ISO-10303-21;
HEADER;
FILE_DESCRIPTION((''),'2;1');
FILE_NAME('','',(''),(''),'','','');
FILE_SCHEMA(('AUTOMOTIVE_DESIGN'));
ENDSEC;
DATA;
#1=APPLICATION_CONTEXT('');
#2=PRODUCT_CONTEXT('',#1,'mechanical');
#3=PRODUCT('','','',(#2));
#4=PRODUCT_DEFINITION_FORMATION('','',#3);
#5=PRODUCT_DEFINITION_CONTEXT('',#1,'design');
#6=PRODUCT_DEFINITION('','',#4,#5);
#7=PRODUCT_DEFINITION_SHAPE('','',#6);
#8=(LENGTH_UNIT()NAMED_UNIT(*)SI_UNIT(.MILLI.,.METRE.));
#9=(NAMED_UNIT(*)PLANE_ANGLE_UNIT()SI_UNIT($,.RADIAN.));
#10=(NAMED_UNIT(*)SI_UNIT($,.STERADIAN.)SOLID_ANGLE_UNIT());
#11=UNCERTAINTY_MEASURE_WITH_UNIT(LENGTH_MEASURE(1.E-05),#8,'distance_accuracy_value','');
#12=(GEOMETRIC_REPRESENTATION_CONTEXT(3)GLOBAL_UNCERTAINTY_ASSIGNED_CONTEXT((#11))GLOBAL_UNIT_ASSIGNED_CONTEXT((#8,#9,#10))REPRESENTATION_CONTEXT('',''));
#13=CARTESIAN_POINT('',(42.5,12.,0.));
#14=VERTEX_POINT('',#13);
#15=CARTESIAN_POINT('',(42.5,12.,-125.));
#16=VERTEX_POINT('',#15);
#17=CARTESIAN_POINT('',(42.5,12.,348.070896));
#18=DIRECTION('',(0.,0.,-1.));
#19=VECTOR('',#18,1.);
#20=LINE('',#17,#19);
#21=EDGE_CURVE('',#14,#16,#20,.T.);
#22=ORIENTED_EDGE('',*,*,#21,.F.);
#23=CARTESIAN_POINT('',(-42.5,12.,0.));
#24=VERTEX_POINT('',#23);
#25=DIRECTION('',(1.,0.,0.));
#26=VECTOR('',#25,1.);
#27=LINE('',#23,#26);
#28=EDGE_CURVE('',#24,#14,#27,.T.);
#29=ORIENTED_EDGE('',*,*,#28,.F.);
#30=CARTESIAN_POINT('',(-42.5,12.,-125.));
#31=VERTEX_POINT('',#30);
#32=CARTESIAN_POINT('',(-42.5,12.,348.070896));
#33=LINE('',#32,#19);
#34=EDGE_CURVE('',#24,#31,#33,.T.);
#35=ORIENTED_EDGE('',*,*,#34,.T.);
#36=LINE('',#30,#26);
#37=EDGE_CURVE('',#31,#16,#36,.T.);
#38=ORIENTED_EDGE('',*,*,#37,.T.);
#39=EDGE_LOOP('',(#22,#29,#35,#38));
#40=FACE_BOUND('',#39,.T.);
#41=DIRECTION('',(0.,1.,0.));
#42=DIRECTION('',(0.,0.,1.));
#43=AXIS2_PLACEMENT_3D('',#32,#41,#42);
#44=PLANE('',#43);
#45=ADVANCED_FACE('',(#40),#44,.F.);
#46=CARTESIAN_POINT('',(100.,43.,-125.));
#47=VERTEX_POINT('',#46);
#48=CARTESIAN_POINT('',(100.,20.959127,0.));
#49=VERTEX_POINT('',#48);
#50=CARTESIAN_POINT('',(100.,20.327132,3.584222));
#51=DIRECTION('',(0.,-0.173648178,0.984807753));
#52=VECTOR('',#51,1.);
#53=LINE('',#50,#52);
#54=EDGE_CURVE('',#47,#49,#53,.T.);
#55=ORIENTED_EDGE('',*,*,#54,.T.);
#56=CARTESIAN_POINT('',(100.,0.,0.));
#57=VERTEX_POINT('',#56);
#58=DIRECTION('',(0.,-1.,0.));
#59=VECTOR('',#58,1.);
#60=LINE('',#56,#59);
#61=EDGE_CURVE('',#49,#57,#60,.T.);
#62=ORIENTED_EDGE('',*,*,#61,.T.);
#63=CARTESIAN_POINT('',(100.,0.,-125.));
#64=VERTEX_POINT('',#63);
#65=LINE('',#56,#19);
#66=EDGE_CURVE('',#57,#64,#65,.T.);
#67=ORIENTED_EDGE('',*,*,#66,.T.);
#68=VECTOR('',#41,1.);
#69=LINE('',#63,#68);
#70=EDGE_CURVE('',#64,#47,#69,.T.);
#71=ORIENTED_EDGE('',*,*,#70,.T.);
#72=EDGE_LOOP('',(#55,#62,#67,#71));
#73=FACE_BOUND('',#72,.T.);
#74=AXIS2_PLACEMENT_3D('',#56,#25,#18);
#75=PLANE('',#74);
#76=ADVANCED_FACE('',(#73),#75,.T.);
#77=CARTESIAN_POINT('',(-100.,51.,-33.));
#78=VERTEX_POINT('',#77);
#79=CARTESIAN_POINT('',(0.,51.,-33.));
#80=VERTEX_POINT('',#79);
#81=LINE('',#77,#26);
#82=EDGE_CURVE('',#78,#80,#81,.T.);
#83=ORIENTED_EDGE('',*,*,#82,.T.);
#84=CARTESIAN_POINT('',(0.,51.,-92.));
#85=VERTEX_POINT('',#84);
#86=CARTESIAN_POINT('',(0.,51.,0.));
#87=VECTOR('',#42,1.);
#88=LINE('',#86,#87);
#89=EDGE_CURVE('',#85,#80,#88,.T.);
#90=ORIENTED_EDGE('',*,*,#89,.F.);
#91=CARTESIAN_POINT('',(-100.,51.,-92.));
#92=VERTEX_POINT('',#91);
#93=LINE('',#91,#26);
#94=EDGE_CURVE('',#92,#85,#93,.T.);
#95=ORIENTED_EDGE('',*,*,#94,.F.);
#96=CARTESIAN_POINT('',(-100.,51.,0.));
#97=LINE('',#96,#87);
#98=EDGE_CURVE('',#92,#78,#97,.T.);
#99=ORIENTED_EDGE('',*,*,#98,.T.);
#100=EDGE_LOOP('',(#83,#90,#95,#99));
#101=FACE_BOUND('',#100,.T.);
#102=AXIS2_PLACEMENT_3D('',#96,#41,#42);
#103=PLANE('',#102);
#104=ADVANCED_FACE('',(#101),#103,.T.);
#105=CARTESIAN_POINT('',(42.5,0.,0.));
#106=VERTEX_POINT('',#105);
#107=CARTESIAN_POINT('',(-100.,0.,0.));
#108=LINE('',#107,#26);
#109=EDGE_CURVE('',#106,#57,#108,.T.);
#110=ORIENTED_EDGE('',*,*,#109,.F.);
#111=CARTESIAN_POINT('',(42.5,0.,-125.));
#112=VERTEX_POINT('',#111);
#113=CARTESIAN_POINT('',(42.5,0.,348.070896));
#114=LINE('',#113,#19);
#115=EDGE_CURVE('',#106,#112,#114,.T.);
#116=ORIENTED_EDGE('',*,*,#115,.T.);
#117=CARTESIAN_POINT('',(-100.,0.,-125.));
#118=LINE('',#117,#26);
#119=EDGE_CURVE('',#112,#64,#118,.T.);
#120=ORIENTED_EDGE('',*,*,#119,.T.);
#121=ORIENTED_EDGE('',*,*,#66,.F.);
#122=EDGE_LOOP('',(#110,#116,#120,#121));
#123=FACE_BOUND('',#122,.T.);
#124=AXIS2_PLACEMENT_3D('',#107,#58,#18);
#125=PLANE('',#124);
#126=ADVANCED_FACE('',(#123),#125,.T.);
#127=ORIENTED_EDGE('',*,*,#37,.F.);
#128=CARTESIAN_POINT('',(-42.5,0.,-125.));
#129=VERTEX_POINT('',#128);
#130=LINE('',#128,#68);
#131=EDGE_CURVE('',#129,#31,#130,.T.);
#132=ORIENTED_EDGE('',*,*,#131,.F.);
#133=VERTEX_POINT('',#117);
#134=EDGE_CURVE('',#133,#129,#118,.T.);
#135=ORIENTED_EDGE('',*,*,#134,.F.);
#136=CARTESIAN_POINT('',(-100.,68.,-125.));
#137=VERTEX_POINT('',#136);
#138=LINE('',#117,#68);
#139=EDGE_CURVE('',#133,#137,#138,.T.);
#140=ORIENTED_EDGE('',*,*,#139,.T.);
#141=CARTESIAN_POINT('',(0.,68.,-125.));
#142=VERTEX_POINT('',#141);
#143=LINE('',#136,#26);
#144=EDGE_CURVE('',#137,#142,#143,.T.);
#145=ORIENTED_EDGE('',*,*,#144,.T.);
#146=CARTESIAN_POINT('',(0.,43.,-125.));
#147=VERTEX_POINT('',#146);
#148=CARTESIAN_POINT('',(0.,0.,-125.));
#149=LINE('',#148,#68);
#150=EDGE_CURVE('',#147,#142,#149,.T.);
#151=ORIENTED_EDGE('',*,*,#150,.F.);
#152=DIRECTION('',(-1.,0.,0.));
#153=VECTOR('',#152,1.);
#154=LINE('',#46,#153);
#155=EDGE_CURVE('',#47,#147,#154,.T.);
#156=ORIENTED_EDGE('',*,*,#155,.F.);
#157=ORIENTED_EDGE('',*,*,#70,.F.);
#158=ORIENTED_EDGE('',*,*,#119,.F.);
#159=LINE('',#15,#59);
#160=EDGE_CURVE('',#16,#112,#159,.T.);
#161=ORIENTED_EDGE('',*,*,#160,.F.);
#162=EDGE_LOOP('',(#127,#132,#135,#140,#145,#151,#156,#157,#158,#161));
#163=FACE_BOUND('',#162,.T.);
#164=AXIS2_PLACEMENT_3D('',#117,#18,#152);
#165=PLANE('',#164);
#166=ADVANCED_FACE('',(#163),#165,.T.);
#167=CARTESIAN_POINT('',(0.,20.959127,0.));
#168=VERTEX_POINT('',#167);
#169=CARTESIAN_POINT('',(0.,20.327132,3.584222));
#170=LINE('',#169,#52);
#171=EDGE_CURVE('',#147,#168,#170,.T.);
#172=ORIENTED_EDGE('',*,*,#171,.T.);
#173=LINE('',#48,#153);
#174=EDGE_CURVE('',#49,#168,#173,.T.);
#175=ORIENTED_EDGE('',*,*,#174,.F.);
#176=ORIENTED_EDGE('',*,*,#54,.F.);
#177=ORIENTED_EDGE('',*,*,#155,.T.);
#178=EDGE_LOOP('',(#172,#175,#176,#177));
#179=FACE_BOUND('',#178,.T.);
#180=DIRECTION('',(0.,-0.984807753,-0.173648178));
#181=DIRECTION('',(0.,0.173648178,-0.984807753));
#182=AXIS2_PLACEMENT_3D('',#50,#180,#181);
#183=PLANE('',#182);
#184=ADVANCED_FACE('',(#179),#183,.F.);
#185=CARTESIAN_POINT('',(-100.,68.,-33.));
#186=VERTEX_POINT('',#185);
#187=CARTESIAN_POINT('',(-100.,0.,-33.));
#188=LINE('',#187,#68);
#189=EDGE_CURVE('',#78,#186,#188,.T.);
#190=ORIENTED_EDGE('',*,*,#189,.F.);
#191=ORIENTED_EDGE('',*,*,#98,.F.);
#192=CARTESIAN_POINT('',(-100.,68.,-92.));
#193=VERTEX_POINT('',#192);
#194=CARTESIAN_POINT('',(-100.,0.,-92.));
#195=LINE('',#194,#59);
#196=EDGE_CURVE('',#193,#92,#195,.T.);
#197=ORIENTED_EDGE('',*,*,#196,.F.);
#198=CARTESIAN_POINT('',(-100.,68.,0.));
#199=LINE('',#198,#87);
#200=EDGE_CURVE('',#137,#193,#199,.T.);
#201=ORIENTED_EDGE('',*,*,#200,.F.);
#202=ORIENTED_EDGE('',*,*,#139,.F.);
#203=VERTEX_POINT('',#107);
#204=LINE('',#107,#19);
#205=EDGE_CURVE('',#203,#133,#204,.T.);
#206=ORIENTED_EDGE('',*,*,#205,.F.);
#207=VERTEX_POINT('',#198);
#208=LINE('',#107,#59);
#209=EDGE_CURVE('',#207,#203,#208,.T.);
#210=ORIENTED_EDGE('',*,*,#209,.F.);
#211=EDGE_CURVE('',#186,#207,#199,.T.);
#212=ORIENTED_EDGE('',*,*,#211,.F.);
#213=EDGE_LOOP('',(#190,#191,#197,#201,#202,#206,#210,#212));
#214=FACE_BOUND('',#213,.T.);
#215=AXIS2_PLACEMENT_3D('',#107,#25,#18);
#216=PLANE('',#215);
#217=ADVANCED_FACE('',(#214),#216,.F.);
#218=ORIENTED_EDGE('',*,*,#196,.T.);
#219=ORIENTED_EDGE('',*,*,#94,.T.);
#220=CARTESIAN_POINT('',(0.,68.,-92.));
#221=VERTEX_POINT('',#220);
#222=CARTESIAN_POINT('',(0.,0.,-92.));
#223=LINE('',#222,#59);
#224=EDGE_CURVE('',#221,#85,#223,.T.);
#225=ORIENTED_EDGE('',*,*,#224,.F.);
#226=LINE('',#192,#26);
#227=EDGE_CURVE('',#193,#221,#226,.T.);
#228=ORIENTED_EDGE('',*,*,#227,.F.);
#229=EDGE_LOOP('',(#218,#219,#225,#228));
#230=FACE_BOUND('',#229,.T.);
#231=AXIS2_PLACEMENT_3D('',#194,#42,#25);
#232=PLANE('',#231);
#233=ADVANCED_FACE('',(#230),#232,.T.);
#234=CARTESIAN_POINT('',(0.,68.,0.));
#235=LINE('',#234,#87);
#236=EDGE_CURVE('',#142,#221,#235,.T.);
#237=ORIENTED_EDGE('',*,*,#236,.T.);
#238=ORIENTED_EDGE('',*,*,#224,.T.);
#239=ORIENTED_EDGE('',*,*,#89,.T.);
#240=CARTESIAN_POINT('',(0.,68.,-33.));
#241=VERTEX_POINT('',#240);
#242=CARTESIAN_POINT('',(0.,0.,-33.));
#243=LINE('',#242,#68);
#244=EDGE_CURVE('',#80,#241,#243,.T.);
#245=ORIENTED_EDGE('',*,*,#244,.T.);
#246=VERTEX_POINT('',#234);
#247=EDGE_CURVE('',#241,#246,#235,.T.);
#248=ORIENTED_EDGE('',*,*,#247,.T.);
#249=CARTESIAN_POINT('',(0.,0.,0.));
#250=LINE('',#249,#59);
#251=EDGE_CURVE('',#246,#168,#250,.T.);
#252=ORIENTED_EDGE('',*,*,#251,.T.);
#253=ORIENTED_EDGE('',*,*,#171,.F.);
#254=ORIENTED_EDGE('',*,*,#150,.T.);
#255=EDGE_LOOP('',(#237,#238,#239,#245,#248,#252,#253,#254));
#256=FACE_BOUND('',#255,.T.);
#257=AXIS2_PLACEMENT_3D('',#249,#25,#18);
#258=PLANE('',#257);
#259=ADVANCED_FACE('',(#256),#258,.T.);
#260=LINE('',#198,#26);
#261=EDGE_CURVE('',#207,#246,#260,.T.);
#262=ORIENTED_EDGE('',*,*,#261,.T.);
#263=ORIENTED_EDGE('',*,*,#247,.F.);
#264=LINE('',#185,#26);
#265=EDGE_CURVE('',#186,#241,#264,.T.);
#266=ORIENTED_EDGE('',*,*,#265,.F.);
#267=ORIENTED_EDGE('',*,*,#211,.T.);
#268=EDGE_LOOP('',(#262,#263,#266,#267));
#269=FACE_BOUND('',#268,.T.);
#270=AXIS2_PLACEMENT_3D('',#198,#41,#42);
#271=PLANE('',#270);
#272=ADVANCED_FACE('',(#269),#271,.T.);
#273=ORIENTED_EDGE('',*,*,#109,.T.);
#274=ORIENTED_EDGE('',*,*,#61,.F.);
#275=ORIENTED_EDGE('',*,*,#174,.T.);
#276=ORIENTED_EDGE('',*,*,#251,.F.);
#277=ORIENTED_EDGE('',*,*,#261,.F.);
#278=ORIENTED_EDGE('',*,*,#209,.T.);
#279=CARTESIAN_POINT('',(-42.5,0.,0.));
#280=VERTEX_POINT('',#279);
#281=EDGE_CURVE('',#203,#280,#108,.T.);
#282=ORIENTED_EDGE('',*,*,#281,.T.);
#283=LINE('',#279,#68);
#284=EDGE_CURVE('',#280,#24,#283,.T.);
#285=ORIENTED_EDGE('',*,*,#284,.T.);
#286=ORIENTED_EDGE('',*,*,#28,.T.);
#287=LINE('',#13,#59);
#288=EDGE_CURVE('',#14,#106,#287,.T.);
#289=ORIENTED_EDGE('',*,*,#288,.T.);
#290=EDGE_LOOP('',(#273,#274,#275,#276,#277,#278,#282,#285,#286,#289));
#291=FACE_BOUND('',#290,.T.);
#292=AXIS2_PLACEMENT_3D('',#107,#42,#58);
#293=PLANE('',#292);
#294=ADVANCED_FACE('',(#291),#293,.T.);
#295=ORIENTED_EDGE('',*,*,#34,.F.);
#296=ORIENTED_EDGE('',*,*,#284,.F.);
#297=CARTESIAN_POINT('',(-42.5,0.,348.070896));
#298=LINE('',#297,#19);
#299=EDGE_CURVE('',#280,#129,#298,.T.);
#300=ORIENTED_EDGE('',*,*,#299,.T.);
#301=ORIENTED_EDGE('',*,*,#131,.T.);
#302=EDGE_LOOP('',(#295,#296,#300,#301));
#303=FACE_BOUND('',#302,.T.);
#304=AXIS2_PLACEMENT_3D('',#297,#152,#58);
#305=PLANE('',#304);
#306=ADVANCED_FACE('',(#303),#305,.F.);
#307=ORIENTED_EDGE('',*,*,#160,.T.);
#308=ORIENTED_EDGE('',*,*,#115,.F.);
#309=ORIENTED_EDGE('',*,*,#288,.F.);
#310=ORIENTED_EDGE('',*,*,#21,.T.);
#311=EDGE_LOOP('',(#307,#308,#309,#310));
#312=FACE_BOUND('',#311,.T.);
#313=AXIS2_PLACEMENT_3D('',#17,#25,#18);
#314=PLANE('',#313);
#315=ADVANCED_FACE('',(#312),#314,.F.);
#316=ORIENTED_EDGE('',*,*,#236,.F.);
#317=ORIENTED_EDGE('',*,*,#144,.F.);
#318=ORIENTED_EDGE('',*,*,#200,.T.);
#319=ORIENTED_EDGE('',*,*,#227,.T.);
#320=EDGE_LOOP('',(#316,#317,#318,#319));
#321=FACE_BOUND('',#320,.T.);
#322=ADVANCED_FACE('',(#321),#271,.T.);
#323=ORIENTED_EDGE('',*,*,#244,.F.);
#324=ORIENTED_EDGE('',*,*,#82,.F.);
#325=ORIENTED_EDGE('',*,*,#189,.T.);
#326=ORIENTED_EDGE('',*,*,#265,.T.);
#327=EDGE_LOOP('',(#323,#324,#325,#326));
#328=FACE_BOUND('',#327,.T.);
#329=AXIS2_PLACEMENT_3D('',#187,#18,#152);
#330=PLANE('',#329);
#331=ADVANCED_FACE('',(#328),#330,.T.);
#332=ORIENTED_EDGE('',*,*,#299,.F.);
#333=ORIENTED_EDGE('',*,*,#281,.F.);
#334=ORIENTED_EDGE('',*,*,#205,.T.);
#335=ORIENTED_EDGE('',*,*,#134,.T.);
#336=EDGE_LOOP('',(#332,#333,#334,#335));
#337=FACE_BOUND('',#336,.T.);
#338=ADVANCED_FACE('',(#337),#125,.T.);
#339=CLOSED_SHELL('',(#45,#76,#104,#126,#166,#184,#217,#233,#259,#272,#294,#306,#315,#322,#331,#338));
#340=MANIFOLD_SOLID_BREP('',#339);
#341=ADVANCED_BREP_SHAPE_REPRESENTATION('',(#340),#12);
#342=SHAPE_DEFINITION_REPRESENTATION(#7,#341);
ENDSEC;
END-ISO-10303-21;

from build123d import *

# Parameters (mm, degrees)
BOSS_EXTRUDE3_DEPTH     = 100
BOSS_EXTRUDE4_DEPTH     = 100
CUT_EXTRUDE1_DEPTH      = 174.922396488
CUT_EXTRUDE1_DEPTH_BACK = 125


with BuildPart() as part:
    # Sketch3 → Boss-Extrude3 (new body)
    with BuildSketch(Plane(origin=(0, 0, 0), x_dir=(0, 0, -1), z_dir=(1, 0, 0))):
        Polygon((33, 68), (0, 68), (0, 0), (125, 0), (125, 68), (92, 68), (92, 51), (33, 51), align=None)
    extrude(amount=-BOSS_EXTRUDE3_DEPTH)

    # Sketch3<3> → Boss-Extrude4 (add)
    with BuildSketch(Plane(origin=(0, 0, 0), x_dir=(0, 0, -1), z_dir=(1, 0, 0))):
        Polygon((125, 43), (0, 20.959127411), (0, 0), (125, 0), align=None)
    extrude(amount=BOSS_EXTRUDE4_DEPTH)

    # Sketch4 → Cut-Extrude1 (cut, two sides: drawn at the far end of the back side and taken through both)
    with BuildSketch(Plane.XY.offset(-CUT_EXTRUDE1_DEPTH_BACK)):
        Polygon((-42.5, -325.78632016), (-42.5, 0), (-42.5, 12), (42.5, 12), (42.5, 0), (42.5, -325.78632016), (42.5, -977.358960479), (-42.5, -977.358960479), align=None)
    extrude(amount=CUT_EXTRUDE1_DEPTH + CUT_EXTRUDE1_DEPTH_BACK, mode=Mode.SUBTRACT)


solid = part.part
